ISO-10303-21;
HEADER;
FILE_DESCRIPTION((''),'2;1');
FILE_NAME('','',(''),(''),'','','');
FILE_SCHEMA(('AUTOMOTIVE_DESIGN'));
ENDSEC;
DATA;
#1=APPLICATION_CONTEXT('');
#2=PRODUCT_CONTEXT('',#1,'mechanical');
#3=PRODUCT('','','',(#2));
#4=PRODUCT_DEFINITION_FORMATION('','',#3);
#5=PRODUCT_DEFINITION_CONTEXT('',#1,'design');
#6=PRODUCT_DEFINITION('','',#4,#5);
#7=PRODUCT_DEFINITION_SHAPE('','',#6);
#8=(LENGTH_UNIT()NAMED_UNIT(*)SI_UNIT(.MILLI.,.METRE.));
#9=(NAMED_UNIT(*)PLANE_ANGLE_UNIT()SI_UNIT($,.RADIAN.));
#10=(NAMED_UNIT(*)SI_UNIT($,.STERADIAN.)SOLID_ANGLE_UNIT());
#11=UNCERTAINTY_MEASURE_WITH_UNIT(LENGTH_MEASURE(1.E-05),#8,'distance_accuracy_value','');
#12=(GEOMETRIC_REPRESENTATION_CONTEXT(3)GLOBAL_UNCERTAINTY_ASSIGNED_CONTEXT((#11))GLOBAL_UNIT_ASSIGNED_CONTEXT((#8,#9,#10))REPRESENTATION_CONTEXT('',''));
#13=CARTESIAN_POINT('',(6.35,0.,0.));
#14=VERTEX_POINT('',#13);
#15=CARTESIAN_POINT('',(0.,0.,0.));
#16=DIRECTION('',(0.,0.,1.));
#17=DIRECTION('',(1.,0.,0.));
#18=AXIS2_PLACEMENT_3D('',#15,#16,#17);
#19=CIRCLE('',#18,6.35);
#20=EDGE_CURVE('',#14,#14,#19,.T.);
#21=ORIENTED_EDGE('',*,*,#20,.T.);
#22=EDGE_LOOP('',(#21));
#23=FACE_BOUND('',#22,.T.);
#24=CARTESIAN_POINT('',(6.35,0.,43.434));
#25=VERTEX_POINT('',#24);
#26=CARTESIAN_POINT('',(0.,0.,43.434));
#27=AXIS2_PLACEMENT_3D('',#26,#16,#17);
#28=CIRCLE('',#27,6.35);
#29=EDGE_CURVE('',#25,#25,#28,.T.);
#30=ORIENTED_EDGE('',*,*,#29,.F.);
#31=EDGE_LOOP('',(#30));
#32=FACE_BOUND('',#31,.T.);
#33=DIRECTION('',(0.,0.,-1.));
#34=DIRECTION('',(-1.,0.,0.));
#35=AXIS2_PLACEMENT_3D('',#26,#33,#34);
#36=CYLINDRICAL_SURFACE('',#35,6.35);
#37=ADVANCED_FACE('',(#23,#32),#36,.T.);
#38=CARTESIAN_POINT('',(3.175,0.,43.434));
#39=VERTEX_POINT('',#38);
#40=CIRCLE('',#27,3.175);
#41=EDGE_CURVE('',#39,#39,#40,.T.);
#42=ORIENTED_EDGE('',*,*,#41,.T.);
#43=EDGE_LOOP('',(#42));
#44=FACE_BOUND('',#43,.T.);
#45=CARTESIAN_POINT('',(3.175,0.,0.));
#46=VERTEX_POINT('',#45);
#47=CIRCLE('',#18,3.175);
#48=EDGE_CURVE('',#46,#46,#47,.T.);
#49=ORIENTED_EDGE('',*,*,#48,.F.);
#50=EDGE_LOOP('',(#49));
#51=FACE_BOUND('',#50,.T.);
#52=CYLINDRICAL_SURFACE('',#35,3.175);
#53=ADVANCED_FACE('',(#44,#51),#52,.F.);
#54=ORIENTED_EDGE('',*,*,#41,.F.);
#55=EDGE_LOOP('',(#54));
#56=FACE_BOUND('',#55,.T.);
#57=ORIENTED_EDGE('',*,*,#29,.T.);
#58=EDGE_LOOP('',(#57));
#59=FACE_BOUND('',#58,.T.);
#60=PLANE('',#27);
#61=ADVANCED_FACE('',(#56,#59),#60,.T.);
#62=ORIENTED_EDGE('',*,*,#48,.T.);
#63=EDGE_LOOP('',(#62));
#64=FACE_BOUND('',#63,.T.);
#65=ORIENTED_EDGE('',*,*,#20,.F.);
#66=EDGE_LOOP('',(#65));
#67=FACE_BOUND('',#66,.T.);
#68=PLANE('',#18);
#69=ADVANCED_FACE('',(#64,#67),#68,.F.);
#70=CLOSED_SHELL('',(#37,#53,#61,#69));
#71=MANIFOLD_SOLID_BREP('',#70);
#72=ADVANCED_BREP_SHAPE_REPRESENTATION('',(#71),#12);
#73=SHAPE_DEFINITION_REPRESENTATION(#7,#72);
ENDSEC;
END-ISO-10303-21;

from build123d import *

# Parameters (mm, degrees)
SKETCH2_R           = 6.35
SKETCH2_R_2         = 3.175
BOSS_EXTRUDE1_DEPTH = 43.434


with BuildPart() as part:
    # Sketch2 → Boss-Extrude1 (new body)
    with BuildSketch(Plane.XY):
        Circle(SKETCH2_R)
        Circle(SKETCH2_R_2, mode=Mode.SUBTRACT)
    extrude(amount=BOSS_EXTRUDE1_DEPTH)


solid = part.part
